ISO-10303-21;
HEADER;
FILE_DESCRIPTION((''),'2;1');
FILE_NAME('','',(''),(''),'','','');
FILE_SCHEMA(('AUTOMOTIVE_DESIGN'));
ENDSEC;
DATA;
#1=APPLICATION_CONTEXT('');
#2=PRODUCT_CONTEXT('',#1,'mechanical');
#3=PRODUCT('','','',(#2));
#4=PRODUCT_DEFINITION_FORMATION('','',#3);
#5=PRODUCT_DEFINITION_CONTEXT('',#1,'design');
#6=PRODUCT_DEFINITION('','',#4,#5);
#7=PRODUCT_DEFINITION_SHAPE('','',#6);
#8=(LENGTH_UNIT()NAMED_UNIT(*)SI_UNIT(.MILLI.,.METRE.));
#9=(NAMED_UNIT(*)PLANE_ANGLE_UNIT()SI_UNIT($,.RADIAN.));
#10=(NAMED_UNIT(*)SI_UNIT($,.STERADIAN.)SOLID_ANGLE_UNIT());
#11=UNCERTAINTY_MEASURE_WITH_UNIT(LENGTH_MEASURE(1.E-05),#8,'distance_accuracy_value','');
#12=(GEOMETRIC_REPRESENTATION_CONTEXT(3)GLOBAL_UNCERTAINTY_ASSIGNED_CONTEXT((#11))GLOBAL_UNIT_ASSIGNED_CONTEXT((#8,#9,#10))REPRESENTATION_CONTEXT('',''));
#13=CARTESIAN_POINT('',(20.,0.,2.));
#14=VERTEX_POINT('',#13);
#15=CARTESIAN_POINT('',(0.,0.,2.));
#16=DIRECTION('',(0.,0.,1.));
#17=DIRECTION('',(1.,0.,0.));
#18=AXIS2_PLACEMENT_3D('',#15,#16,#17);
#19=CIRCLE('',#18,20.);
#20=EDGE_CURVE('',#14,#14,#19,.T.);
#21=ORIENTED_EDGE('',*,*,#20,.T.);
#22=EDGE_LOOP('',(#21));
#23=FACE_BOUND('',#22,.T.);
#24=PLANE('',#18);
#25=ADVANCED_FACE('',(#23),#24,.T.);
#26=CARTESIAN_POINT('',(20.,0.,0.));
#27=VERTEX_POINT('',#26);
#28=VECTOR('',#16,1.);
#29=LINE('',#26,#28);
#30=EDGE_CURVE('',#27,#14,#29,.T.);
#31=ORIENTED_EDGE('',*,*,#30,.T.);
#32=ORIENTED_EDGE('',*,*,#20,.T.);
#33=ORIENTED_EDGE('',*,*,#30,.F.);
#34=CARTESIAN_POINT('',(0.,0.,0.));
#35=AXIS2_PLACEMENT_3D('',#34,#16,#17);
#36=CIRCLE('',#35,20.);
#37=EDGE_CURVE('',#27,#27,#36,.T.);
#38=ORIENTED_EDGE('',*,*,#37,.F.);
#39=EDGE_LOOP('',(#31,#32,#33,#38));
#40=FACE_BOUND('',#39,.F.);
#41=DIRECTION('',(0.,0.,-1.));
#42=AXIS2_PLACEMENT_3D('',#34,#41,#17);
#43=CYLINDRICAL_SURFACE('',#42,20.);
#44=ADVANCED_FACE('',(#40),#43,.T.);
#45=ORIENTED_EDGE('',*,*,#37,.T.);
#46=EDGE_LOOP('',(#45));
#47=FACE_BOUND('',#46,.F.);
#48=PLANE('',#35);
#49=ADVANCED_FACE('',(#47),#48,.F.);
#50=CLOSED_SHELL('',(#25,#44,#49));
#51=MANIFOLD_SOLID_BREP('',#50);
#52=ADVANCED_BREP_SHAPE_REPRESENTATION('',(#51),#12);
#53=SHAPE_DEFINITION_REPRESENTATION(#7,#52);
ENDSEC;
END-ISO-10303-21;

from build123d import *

# Parameters (mm, degrees)
CYLINDER_R     = 20
CYLINDER_DEPTH = 2


with BuildPart() as part:
    # Cylinder → Cylinder (join)
    with BuildSketch(Plane.XY):
        Circle(CYLINDER_R)
    extrude(amount=CYLINDER_DEPTH)


solid = part.part
